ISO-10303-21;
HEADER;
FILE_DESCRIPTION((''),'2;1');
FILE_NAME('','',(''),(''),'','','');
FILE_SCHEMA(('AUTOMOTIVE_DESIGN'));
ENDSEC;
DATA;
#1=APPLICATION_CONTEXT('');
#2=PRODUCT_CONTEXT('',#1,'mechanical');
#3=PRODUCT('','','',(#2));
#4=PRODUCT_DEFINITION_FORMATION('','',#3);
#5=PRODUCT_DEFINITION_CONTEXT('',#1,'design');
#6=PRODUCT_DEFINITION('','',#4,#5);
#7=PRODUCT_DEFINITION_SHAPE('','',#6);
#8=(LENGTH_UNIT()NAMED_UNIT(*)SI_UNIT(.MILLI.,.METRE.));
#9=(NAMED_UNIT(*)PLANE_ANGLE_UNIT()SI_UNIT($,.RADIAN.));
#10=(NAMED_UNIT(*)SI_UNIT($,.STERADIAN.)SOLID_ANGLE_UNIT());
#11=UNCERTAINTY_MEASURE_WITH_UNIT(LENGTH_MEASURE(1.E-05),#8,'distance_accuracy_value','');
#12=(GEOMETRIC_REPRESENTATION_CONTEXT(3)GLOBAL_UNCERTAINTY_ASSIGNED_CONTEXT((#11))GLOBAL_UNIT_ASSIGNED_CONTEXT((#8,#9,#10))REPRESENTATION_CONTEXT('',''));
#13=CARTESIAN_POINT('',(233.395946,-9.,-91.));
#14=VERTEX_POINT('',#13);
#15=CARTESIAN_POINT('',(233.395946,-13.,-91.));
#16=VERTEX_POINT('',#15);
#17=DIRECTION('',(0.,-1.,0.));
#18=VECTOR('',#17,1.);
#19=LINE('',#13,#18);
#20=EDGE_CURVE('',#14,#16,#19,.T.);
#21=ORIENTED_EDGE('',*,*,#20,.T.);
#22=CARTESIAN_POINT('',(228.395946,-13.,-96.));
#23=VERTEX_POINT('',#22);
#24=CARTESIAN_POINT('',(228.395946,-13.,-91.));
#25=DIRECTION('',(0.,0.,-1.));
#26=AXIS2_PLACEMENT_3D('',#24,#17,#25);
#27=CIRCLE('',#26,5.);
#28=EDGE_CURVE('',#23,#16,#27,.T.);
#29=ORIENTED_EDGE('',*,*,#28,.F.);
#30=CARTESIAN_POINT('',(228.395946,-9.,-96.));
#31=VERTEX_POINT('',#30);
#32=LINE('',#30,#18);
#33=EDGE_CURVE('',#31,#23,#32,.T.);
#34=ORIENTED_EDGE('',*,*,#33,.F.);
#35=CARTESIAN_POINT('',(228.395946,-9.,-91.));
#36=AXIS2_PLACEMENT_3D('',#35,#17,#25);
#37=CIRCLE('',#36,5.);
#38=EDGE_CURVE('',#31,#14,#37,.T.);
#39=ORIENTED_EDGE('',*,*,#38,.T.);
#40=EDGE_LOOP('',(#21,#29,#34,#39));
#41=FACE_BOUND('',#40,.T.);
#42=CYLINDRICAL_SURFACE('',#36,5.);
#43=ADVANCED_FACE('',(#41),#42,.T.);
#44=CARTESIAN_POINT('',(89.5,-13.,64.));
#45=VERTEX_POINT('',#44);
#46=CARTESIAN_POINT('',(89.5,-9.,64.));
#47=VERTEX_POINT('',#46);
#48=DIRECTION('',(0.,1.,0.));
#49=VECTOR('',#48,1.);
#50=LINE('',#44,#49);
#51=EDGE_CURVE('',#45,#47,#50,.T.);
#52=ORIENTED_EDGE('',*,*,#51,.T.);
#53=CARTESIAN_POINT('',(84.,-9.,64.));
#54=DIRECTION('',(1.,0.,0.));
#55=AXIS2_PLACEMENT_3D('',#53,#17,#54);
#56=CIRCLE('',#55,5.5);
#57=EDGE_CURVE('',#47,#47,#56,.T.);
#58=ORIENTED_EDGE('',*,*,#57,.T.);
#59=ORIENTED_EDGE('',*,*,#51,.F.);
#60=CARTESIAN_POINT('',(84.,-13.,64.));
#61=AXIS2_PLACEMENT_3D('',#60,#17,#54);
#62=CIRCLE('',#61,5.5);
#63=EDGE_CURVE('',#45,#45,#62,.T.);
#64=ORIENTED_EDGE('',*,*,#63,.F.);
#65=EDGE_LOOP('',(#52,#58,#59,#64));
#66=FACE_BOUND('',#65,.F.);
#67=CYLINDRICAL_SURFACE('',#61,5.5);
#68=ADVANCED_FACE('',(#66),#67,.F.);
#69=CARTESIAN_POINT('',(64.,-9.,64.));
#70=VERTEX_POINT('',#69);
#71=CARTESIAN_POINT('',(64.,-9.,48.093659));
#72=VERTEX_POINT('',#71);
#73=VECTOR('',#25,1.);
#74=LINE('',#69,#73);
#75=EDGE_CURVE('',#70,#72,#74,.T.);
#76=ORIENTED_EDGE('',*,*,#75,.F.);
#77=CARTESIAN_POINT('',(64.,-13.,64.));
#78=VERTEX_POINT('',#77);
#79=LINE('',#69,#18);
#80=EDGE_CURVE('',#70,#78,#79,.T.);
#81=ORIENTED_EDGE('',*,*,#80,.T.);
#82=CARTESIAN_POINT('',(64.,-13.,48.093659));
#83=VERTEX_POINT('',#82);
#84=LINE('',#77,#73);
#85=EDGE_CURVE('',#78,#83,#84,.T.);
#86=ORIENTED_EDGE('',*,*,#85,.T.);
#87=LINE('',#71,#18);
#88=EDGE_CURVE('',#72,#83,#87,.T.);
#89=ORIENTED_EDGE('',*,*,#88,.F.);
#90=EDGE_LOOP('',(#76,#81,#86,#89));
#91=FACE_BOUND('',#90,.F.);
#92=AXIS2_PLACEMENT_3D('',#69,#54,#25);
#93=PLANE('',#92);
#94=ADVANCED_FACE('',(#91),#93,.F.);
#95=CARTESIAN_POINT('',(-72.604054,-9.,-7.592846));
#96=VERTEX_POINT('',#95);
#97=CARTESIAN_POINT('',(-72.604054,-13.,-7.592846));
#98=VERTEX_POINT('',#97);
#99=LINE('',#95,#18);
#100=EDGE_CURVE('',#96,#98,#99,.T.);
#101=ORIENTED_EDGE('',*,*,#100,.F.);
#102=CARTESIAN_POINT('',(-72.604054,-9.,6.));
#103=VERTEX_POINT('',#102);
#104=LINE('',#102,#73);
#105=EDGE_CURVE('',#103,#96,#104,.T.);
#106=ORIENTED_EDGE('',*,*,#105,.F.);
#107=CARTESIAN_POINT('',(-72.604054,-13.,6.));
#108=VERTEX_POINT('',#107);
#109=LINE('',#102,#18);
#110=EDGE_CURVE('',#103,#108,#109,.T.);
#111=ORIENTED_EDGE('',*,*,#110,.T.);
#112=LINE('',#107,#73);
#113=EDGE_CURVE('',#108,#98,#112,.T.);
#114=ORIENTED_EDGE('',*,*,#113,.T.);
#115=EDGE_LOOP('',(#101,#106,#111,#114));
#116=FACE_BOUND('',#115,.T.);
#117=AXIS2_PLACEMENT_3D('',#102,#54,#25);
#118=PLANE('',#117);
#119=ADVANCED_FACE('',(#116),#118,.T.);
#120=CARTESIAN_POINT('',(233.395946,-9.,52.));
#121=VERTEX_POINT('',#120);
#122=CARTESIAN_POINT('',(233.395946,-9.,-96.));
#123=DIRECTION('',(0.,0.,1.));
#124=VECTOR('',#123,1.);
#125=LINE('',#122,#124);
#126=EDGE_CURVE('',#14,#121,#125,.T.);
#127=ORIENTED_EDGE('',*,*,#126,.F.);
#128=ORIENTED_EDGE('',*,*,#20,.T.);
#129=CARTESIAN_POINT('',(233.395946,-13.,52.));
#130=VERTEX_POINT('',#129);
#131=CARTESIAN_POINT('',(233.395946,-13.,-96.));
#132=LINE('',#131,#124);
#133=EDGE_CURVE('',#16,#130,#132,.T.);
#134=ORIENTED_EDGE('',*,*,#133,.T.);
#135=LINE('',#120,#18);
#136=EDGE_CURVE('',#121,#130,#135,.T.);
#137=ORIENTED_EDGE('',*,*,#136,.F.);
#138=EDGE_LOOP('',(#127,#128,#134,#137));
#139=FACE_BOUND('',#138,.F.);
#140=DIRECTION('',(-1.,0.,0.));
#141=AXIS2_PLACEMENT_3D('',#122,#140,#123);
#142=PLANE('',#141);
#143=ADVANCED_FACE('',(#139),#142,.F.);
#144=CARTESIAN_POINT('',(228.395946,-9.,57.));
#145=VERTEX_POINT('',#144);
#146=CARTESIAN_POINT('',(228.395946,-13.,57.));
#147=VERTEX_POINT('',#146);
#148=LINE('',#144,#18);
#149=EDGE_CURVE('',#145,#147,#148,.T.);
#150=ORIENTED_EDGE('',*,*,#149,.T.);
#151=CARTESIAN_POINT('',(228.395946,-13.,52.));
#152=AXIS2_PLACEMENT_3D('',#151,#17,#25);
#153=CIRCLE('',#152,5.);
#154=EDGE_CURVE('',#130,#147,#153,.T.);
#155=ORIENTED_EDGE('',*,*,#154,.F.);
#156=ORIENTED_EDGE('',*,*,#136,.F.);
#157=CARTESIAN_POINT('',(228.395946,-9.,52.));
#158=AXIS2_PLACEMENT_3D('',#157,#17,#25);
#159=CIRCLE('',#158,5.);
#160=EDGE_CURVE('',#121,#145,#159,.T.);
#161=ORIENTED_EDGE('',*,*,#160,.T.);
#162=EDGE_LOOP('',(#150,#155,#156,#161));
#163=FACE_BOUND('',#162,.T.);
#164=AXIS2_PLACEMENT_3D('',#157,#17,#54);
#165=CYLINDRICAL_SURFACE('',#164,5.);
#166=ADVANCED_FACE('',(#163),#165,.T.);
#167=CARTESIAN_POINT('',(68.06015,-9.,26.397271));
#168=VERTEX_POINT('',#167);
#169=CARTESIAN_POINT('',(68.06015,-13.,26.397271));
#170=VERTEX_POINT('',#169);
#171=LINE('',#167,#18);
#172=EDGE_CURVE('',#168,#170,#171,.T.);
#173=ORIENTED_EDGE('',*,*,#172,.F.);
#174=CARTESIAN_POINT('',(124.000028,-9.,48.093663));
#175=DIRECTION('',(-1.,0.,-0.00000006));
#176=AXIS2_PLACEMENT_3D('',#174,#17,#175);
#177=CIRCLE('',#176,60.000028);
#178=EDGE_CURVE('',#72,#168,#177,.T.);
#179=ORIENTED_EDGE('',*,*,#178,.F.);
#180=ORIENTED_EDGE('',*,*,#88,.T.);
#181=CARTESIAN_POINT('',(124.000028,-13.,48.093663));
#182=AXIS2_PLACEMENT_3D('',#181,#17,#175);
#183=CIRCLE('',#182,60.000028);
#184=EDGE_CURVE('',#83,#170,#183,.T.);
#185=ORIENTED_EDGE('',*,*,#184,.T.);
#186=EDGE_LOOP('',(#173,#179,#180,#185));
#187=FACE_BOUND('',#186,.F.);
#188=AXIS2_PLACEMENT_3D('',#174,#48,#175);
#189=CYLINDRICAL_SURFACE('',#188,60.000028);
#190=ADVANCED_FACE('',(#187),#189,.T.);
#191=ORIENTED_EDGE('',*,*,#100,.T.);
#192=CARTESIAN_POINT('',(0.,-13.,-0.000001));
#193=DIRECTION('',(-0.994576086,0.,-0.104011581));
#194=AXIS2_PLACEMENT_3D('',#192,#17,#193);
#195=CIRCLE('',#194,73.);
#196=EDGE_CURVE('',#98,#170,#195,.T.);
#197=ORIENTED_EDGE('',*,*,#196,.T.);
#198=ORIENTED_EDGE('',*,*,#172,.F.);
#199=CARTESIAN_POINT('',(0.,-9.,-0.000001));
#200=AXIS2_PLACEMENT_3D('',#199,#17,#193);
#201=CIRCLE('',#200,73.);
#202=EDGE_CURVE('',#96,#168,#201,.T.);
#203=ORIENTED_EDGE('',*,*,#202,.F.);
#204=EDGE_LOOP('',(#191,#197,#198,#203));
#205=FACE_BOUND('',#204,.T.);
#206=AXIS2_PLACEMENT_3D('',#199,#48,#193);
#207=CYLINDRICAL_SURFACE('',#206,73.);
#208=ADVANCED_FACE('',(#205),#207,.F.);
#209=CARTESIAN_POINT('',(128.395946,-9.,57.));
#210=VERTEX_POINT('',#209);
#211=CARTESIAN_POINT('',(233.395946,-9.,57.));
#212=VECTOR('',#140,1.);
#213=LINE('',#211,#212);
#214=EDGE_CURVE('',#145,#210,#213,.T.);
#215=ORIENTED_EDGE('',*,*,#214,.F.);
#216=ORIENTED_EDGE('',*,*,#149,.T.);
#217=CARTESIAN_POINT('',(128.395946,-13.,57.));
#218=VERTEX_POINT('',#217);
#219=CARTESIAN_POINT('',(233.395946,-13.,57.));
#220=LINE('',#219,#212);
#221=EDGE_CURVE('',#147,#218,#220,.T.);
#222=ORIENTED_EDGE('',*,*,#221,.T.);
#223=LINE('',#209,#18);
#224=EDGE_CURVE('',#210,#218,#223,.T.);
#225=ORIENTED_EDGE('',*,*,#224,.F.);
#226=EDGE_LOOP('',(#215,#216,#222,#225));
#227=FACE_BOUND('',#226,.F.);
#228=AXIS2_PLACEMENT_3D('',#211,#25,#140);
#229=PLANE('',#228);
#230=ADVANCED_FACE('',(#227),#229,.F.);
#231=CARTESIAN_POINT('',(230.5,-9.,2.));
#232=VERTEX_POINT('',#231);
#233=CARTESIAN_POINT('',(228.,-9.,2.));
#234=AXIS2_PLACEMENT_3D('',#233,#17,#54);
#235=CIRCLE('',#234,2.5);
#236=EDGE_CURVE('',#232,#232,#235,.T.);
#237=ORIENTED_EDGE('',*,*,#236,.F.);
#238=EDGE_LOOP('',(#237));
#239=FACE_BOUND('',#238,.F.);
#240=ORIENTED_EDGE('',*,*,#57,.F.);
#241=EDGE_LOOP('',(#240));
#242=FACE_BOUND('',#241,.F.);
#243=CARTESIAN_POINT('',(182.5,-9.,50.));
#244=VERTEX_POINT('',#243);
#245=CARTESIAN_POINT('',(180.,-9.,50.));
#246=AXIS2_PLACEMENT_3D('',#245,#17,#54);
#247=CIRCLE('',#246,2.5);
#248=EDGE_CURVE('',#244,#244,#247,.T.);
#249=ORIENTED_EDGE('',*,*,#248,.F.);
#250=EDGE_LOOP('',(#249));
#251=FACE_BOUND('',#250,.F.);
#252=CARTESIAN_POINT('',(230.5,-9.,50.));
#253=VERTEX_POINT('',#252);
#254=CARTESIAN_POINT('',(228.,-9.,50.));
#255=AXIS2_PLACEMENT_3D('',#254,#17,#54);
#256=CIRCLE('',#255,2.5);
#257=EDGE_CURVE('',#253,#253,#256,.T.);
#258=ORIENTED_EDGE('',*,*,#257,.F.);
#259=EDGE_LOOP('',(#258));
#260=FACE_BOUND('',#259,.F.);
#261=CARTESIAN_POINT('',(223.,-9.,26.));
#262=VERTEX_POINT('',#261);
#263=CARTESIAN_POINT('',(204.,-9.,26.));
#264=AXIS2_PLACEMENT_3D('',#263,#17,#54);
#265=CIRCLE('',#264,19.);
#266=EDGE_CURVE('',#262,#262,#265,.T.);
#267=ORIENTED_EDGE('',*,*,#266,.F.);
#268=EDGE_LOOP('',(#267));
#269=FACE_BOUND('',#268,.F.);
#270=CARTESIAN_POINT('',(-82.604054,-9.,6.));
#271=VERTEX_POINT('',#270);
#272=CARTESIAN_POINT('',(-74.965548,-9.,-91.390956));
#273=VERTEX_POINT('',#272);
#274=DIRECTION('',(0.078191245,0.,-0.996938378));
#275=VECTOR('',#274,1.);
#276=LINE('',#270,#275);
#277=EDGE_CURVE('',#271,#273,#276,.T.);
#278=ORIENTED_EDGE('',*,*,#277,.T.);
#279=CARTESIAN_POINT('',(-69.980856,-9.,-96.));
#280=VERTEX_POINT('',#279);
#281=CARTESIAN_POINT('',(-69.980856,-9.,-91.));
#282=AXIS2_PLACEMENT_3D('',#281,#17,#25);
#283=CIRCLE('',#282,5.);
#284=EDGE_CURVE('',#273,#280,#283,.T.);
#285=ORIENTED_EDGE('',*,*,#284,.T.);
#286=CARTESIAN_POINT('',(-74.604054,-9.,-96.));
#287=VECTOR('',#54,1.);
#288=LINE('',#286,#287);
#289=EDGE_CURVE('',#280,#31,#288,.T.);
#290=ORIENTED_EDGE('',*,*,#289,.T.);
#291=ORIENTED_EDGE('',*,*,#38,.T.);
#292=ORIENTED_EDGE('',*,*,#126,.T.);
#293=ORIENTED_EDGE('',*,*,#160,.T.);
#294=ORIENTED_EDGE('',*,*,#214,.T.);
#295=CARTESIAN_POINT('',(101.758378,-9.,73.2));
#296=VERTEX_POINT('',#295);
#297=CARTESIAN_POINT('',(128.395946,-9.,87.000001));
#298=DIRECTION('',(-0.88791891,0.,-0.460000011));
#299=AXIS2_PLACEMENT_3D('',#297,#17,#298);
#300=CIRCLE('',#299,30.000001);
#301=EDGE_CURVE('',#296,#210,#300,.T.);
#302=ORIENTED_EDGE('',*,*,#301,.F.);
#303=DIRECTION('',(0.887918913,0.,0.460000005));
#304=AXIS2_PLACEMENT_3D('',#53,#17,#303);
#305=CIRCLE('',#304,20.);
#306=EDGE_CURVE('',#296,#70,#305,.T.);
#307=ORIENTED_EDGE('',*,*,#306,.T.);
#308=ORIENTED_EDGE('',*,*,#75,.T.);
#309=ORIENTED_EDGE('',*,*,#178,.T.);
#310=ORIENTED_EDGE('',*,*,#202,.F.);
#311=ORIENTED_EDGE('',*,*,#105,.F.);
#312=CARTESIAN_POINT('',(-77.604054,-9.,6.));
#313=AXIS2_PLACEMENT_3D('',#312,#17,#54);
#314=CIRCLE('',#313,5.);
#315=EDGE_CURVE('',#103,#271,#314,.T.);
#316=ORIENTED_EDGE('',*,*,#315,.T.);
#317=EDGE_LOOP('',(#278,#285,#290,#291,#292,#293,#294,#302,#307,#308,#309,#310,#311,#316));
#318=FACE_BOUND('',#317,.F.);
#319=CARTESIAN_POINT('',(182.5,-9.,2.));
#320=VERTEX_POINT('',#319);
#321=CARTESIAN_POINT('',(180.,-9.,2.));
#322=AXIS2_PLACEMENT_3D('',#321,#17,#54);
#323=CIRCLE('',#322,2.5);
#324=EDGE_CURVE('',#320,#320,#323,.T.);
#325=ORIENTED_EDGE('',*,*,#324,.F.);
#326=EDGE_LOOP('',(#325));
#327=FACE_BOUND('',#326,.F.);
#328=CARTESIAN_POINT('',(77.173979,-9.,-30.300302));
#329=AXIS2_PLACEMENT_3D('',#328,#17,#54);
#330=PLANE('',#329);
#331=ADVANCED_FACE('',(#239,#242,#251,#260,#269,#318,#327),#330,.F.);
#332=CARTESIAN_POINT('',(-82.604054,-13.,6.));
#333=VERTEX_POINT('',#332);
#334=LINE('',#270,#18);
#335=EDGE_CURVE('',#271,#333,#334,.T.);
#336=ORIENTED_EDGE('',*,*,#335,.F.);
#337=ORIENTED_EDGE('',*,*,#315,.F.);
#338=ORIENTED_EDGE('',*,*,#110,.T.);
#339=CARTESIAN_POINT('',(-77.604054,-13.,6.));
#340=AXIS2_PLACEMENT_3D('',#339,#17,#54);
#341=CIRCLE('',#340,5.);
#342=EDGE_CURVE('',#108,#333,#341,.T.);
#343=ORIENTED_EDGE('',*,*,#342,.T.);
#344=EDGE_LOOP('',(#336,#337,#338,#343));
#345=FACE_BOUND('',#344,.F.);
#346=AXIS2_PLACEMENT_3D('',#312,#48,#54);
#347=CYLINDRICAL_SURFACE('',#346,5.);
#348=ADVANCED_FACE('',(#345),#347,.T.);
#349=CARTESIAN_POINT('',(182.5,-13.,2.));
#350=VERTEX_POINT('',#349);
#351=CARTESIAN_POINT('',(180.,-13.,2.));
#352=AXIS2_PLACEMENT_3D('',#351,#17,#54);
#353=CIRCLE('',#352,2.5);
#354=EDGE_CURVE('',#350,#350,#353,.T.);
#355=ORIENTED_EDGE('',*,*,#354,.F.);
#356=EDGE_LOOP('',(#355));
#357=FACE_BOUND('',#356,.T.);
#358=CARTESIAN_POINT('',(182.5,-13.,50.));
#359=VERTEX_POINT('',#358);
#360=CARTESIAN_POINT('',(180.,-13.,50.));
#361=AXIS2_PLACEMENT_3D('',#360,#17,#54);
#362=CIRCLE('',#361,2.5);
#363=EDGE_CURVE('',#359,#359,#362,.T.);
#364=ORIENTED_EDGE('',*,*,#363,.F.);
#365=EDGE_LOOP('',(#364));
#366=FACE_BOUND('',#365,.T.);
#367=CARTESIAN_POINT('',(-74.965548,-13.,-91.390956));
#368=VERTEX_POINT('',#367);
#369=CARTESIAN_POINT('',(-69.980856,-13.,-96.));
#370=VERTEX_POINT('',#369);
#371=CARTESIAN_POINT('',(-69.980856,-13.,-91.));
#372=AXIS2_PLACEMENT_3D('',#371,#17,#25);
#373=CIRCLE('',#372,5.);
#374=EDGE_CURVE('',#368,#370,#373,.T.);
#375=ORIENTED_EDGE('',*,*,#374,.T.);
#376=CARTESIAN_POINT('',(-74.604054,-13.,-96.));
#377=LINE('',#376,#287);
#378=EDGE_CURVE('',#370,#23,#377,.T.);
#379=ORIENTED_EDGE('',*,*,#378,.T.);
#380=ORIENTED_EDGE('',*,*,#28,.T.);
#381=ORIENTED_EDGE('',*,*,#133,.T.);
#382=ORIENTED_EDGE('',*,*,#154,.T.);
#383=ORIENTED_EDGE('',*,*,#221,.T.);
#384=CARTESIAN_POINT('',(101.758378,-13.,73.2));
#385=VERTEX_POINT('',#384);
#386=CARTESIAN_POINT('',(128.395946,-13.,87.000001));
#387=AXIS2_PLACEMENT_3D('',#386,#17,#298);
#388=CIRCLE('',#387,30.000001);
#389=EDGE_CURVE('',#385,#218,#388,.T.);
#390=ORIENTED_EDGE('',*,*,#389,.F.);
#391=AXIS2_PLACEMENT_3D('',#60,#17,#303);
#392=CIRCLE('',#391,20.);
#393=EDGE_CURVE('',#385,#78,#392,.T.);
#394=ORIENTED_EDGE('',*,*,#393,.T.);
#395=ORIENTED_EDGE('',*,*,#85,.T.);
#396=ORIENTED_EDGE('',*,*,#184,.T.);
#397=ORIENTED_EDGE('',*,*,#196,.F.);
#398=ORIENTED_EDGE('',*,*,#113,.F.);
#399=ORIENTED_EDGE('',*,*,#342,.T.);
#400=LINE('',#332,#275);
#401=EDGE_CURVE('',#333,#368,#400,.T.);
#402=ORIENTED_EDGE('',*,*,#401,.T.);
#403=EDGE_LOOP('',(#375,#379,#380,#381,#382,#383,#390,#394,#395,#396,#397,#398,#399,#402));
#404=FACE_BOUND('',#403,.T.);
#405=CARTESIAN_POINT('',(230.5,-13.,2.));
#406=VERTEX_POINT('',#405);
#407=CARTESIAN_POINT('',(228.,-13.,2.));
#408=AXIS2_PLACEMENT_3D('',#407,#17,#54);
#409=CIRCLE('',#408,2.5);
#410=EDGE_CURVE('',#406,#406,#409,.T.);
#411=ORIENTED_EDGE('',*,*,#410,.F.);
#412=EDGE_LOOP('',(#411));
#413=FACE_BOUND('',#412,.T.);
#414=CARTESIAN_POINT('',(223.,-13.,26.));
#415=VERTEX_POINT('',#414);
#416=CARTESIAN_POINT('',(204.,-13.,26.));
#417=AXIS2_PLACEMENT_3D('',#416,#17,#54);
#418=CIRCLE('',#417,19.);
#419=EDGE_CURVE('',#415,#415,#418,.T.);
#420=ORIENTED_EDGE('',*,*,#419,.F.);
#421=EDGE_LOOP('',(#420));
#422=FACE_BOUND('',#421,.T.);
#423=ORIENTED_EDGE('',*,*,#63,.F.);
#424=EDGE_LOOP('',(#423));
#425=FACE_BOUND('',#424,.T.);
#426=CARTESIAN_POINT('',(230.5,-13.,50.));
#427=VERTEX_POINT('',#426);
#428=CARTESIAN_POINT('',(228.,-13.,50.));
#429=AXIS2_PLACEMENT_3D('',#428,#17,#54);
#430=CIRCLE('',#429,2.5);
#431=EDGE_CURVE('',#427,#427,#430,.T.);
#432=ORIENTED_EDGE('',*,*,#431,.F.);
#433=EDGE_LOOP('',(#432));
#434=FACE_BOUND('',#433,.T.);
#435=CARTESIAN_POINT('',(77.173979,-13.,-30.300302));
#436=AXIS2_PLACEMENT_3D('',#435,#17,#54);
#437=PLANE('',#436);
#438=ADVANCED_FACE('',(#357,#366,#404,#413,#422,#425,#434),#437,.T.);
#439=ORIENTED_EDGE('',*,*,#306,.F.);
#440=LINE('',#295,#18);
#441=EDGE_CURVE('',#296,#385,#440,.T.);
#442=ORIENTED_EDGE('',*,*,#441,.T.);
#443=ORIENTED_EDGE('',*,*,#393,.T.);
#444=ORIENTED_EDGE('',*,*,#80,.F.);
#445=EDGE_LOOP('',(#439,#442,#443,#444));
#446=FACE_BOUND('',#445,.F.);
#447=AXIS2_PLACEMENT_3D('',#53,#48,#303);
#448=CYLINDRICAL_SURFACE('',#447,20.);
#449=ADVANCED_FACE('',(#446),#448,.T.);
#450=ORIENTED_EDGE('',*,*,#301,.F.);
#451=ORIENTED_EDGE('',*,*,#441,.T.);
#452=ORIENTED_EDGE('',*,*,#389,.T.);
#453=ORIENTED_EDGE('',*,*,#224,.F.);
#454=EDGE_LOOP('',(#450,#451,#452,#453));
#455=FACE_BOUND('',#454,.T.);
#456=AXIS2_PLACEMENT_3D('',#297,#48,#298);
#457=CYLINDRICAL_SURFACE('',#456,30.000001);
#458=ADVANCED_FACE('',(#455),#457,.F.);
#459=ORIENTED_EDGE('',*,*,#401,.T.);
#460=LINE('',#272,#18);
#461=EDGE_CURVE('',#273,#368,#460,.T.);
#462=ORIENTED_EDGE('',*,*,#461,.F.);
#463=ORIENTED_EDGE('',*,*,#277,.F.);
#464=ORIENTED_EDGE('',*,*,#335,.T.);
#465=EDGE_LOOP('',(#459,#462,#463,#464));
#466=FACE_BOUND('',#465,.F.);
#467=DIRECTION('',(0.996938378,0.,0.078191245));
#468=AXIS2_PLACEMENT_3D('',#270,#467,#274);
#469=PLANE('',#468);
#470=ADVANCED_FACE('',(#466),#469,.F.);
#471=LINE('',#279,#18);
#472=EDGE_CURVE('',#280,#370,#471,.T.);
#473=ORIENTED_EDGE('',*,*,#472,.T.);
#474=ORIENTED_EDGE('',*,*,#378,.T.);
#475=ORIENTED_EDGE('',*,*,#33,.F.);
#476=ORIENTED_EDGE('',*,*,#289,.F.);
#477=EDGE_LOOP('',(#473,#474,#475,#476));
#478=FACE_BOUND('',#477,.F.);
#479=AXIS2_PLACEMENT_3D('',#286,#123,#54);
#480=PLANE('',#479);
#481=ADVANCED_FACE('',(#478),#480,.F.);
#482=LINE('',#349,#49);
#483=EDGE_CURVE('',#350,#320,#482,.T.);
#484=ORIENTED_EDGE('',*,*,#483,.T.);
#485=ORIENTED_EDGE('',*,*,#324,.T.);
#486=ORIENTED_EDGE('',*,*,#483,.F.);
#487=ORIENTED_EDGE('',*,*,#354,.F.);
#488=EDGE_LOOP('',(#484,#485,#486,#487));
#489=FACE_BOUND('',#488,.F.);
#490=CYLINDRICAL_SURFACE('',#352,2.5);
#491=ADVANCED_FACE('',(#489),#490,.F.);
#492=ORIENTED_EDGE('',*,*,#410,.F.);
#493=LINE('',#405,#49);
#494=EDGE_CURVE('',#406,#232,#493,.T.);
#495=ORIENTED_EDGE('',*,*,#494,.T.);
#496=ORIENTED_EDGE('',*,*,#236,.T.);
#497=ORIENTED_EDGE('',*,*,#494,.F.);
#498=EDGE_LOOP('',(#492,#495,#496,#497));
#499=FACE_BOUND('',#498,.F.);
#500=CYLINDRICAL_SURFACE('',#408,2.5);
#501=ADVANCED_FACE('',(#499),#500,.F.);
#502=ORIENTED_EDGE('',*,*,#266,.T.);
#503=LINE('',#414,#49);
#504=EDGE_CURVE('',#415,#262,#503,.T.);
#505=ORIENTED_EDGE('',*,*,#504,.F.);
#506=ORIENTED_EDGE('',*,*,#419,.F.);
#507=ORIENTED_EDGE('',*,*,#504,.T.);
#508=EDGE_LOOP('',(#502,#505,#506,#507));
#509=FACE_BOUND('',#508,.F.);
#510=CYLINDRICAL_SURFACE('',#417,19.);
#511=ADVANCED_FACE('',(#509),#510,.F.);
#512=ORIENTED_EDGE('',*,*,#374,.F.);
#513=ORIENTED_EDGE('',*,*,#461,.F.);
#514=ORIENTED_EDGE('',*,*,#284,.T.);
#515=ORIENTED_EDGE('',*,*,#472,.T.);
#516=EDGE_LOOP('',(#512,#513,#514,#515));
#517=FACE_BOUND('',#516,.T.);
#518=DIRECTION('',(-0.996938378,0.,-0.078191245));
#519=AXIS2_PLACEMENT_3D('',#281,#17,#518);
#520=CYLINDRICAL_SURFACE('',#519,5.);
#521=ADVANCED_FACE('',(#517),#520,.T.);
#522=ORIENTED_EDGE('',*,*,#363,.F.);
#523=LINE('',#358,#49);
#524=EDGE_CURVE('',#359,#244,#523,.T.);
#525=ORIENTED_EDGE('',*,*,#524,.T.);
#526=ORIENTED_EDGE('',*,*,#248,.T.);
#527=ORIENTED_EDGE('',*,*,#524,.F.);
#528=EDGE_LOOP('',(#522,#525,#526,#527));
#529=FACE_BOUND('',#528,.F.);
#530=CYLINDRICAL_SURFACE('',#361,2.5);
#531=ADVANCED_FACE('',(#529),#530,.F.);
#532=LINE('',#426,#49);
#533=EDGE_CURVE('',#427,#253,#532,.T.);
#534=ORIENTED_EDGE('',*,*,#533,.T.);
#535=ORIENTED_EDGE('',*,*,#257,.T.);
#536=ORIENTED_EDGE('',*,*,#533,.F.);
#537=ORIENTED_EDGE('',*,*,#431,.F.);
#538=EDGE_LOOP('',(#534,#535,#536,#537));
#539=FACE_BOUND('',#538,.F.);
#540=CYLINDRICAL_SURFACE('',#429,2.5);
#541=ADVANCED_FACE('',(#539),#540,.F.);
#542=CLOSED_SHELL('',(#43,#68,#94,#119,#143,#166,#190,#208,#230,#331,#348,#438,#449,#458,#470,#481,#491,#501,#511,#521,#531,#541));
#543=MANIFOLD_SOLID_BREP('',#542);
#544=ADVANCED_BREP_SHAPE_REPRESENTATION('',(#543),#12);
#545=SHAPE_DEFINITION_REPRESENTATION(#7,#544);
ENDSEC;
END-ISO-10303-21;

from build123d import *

# Parameters (mm, degrees)
PAD_DEPTH     = 4
SKETCH002_R   = 19
SKETCH002_R_2 = 2.5
SKETCH002_R_3 = 5.5
POCKET_DEPTH  = 4.001
FILLET001_R   = 5


with BuildPart() as part:
    # Sketch001 → Pad (new body)
    with BuildSketch(Plane.XZ):
        with BuildLine():
            Line((-82.604054, 6), (-74.604054, -96))
            Line((-74.604054, -96), (233.395946, -96))
            Line((233.395946, -96), (233.395946, 57))
            Line((233.395946, 57), (128.395946, 57))
            ThreePointArc((101.758378, 73.2), (112.807488, 61.367989), (128.395946, 57))
            ThreePointArc((101.758378, 73.2), (79.265423, 83.431515), (64, 64))
            Line((64, 64), (64, 48.093659))
            ThreePointArc((64, 48.093659), (65.023772, 37.057151), (68.06015, 26.397271))
            ThreePointArc((-72.604054, -7.592846), (17.146247, -70.957778), (68.06015, 26.397271))
            Line((-72.604054, 6), (-72.604054, -7.592846))
            ThreePointArc((-72.604054, 6), (-77.604054, 11), (-82.604054, 6))
        make_face()
    extrude(amount=PAD_DEPTH)

    # Sketch002 → Pocket (cut, through all)
    with BuildSketch(Plane.XZ.offset(4)):
        with Locations((204, 26)):
            Circle(SKETCH002_R)
        with Locations((180, 50)):
            Circle(SKETCH002_R_2)
        with Locations((228, 50)):
            Circle(SKETCH002_R_2)
        with Locations((228, 2)):
            Circle(SKETCH002_R_2)
        with Locations((180, 2)):
            Circle(SKETCH002_R_2)
        with Locations((84, 64)):
            Circle(SKETCH002_R_3)
    extrude(amount=-POCKET_DEPTH, mode=Mode.SUBTRACT)

    # Fillet001
    fillet001_edges = [part.edges().sort_by_distance(p)[0] for p in [
        (233.395946, -2, 57),
        (233.395946, -2, -96),
        (-74.604054, -2, -96),
    ]]
    fillet(fillet001_edges, radius=FILLET001_R)


with BuildPart() as part_1:
    # Body002 placement: moved
    add(part.part.moved(Location((0, -9, 0))))


solid = part_1.part
